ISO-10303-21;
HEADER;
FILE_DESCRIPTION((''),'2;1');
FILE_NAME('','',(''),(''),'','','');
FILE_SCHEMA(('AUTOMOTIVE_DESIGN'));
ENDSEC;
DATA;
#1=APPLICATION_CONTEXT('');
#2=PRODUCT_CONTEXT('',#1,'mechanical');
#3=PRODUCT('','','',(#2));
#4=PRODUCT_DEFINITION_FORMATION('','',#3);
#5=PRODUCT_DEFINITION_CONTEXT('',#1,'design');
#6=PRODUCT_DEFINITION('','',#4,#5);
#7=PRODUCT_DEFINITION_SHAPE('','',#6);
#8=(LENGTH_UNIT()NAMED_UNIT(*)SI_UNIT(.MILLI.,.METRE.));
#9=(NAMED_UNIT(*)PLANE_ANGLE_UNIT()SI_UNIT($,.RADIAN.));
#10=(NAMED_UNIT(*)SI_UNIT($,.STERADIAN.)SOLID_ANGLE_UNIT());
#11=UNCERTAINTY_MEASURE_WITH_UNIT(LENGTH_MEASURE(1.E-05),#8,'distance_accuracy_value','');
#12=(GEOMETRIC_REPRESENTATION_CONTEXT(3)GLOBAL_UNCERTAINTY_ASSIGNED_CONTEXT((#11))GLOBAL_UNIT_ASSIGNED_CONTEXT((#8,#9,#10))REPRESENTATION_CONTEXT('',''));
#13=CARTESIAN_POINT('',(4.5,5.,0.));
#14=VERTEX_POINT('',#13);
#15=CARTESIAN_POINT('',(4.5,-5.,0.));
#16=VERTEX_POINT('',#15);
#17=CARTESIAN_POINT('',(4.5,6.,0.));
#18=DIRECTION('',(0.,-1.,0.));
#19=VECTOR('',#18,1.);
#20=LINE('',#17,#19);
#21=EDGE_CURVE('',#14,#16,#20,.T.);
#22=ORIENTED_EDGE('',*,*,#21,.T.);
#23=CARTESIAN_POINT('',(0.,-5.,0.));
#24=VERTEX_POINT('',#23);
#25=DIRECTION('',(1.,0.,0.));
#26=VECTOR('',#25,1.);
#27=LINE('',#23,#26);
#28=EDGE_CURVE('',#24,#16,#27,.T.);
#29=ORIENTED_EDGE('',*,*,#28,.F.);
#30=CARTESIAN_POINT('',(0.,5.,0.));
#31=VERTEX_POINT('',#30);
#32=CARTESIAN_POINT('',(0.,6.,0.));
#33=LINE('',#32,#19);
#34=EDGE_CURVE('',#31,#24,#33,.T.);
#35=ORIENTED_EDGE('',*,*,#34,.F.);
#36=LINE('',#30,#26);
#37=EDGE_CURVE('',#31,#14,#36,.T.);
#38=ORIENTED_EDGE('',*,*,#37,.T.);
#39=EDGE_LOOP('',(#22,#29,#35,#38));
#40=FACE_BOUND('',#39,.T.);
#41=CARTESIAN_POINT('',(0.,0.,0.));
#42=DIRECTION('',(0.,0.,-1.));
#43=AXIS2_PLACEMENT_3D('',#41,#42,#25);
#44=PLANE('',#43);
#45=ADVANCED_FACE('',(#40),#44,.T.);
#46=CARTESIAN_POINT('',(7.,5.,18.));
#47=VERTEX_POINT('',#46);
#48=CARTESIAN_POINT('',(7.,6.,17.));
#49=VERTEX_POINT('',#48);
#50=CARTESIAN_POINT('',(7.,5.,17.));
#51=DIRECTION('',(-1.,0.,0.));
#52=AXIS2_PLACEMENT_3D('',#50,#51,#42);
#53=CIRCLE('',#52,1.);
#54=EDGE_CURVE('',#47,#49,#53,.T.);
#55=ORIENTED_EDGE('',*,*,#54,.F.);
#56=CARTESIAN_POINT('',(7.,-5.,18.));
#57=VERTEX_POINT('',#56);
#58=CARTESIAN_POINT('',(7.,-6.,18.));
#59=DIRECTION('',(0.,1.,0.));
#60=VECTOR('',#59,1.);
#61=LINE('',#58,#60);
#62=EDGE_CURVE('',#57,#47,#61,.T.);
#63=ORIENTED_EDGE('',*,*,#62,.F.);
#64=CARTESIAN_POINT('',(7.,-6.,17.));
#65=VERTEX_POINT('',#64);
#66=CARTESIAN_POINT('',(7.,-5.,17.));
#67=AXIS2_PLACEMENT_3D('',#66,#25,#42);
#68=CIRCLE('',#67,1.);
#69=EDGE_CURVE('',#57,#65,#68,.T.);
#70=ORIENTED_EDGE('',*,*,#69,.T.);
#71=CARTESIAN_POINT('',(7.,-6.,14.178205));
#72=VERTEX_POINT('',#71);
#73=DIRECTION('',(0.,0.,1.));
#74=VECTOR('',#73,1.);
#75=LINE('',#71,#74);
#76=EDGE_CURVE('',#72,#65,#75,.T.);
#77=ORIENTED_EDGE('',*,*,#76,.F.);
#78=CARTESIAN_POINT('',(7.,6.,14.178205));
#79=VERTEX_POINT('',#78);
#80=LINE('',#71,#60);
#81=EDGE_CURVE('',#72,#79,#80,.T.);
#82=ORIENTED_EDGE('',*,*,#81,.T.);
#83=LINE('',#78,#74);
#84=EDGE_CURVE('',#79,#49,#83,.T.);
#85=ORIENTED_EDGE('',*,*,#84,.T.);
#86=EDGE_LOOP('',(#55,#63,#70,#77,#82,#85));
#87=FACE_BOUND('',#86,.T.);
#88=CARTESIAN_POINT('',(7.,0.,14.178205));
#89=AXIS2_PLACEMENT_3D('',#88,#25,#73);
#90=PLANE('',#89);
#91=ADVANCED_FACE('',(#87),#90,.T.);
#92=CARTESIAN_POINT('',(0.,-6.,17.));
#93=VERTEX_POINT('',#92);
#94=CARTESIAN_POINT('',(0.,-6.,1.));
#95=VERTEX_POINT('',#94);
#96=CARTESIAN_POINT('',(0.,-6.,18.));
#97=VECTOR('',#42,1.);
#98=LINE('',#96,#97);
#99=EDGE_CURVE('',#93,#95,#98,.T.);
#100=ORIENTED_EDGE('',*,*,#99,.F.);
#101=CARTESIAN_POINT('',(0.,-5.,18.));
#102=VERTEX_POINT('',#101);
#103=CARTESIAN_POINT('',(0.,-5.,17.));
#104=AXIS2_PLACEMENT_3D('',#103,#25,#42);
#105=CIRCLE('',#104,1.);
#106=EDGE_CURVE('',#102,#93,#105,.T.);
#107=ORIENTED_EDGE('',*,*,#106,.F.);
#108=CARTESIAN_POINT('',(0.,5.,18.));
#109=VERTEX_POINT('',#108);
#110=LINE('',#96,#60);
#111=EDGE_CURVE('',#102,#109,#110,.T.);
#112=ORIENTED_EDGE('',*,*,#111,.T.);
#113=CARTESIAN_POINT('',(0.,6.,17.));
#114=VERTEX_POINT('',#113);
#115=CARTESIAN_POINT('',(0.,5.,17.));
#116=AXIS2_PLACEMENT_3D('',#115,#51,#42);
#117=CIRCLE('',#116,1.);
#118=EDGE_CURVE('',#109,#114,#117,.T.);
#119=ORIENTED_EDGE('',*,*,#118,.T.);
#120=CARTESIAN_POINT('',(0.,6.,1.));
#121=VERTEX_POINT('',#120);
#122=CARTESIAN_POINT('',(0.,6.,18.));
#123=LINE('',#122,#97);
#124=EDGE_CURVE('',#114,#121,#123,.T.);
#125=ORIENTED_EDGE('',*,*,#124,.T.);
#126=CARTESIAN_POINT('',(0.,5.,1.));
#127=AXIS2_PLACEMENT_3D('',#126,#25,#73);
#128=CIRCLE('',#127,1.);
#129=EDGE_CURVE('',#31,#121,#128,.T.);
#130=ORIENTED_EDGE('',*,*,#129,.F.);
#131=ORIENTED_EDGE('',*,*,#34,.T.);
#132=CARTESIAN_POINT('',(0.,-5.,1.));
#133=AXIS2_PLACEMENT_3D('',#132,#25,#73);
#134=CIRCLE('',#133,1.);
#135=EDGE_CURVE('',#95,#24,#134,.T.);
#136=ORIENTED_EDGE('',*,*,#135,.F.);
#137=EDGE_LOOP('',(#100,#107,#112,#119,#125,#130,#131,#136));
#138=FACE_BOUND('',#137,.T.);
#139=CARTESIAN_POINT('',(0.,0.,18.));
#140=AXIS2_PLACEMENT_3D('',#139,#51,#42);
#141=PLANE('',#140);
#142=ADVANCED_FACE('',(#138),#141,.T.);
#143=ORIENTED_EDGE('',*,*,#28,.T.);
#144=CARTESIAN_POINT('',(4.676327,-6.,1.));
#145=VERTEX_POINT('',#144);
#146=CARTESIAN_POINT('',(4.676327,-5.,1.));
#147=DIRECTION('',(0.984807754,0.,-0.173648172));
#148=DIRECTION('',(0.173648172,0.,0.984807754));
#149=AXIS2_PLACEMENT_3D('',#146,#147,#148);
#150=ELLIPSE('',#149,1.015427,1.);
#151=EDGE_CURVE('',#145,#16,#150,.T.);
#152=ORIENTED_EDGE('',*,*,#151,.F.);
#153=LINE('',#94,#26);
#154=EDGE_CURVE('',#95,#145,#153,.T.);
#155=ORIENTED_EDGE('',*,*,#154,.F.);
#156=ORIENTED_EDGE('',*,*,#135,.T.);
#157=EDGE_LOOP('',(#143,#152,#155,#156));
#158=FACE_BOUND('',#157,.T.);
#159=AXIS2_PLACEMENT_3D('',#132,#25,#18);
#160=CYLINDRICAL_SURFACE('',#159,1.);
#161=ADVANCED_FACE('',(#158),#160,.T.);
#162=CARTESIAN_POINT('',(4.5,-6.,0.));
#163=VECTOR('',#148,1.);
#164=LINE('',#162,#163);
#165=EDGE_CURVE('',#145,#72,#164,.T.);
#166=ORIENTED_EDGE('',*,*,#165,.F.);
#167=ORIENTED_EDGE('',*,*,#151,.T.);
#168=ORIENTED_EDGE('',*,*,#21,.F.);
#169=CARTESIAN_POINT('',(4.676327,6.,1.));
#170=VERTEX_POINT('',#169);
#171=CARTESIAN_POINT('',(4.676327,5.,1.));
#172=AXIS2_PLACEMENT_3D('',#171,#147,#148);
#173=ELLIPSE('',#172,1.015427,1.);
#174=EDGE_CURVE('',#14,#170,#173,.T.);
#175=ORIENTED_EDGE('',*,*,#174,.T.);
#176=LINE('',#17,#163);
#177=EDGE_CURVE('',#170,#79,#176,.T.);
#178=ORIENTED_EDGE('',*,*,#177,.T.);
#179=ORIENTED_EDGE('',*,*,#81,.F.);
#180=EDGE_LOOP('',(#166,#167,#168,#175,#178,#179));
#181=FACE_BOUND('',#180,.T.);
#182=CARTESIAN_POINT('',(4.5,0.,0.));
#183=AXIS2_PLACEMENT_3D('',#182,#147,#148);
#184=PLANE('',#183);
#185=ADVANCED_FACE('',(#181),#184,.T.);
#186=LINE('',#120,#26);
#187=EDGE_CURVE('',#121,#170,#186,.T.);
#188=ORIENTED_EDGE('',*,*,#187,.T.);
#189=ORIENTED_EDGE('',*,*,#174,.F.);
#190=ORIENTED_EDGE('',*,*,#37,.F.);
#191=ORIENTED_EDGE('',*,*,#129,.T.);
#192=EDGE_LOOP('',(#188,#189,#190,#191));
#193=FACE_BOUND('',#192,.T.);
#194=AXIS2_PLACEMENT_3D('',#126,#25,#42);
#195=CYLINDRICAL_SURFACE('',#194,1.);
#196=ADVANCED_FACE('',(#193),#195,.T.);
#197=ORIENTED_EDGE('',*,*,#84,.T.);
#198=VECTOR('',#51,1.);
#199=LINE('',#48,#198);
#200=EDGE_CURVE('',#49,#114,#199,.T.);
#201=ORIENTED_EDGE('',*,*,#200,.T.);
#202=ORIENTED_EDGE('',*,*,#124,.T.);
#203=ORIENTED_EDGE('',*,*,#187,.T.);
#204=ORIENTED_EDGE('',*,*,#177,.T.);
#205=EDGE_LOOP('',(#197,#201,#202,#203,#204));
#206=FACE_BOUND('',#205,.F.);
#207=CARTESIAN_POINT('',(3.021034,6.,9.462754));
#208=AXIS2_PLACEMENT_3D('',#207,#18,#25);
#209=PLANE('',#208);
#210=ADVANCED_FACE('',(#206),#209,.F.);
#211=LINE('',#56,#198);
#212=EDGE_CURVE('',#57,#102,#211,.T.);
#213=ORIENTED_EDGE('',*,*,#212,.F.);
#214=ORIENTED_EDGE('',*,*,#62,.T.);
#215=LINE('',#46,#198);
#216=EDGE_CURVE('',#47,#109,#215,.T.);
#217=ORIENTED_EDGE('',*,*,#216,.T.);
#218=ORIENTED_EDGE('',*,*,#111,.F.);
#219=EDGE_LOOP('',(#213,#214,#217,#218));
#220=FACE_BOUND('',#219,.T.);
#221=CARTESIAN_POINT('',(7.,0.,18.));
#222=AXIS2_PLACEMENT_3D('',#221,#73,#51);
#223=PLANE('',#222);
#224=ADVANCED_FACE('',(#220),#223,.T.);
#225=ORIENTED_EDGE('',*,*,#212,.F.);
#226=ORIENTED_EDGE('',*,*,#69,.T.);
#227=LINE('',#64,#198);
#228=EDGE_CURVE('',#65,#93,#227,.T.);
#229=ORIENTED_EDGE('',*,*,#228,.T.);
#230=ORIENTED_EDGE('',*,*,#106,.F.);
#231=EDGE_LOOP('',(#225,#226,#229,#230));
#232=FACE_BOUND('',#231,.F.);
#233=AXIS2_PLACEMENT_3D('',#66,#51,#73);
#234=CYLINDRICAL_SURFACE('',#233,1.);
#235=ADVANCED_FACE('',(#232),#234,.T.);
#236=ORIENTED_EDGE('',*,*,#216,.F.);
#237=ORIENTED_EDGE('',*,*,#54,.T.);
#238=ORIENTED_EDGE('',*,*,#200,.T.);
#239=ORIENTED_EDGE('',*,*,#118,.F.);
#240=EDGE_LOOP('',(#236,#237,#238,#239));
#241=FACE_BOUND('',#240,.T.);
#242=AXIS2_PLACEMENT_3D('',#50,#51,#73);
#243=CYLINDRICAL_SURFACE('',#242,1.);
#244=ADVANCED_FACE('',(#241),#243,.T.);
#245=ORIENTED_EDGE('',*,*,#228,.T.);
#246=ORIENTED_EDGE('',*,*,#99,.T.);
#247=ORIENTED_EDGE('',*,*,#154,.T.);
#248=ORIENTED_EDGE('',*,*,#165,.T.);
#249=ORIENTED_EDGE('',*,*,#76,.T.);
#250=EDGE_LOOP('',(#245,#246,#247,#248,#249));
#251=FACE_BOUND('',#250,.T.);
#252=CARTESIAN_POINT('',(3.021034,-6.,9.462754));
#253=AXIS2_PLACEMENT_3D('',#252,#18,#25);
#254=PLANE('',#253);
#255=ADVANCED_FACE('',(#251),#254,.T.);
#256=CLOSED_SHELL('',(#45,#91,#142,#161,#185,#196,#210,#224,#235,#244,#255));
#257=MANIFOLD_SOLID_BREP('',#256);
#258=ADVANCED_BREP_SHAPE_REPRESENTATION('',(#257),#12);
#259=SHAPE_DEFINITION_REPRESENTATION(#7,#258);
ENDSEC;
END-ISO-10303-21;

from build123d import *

# Parameters (mm, degrees)
F1_DEPTH = 6
F2_R     = 1


with BuildPart() as f1:
    # F0 (on Front) → F1 (new body, symmetric)
    with BuildSketch(Plane.XZ):
        Polygon((0, 18), (0, 0), (4.5, 0), (7, 14.178205), (7, 18), align=None)
    extrude(amount=F1_DEPTH, both=True)

    # F2
    f2_edges = [f1.edges().sort_by_distance(p)[0] for p in [
        (3.5, -6, 18),
        (3.5, 6, 18),
        (2.25, -6, 0),
        (2.25, 6, 0),
    ]]
    fillet(f2_edges, radius=F2_R)


solid = f1.part
